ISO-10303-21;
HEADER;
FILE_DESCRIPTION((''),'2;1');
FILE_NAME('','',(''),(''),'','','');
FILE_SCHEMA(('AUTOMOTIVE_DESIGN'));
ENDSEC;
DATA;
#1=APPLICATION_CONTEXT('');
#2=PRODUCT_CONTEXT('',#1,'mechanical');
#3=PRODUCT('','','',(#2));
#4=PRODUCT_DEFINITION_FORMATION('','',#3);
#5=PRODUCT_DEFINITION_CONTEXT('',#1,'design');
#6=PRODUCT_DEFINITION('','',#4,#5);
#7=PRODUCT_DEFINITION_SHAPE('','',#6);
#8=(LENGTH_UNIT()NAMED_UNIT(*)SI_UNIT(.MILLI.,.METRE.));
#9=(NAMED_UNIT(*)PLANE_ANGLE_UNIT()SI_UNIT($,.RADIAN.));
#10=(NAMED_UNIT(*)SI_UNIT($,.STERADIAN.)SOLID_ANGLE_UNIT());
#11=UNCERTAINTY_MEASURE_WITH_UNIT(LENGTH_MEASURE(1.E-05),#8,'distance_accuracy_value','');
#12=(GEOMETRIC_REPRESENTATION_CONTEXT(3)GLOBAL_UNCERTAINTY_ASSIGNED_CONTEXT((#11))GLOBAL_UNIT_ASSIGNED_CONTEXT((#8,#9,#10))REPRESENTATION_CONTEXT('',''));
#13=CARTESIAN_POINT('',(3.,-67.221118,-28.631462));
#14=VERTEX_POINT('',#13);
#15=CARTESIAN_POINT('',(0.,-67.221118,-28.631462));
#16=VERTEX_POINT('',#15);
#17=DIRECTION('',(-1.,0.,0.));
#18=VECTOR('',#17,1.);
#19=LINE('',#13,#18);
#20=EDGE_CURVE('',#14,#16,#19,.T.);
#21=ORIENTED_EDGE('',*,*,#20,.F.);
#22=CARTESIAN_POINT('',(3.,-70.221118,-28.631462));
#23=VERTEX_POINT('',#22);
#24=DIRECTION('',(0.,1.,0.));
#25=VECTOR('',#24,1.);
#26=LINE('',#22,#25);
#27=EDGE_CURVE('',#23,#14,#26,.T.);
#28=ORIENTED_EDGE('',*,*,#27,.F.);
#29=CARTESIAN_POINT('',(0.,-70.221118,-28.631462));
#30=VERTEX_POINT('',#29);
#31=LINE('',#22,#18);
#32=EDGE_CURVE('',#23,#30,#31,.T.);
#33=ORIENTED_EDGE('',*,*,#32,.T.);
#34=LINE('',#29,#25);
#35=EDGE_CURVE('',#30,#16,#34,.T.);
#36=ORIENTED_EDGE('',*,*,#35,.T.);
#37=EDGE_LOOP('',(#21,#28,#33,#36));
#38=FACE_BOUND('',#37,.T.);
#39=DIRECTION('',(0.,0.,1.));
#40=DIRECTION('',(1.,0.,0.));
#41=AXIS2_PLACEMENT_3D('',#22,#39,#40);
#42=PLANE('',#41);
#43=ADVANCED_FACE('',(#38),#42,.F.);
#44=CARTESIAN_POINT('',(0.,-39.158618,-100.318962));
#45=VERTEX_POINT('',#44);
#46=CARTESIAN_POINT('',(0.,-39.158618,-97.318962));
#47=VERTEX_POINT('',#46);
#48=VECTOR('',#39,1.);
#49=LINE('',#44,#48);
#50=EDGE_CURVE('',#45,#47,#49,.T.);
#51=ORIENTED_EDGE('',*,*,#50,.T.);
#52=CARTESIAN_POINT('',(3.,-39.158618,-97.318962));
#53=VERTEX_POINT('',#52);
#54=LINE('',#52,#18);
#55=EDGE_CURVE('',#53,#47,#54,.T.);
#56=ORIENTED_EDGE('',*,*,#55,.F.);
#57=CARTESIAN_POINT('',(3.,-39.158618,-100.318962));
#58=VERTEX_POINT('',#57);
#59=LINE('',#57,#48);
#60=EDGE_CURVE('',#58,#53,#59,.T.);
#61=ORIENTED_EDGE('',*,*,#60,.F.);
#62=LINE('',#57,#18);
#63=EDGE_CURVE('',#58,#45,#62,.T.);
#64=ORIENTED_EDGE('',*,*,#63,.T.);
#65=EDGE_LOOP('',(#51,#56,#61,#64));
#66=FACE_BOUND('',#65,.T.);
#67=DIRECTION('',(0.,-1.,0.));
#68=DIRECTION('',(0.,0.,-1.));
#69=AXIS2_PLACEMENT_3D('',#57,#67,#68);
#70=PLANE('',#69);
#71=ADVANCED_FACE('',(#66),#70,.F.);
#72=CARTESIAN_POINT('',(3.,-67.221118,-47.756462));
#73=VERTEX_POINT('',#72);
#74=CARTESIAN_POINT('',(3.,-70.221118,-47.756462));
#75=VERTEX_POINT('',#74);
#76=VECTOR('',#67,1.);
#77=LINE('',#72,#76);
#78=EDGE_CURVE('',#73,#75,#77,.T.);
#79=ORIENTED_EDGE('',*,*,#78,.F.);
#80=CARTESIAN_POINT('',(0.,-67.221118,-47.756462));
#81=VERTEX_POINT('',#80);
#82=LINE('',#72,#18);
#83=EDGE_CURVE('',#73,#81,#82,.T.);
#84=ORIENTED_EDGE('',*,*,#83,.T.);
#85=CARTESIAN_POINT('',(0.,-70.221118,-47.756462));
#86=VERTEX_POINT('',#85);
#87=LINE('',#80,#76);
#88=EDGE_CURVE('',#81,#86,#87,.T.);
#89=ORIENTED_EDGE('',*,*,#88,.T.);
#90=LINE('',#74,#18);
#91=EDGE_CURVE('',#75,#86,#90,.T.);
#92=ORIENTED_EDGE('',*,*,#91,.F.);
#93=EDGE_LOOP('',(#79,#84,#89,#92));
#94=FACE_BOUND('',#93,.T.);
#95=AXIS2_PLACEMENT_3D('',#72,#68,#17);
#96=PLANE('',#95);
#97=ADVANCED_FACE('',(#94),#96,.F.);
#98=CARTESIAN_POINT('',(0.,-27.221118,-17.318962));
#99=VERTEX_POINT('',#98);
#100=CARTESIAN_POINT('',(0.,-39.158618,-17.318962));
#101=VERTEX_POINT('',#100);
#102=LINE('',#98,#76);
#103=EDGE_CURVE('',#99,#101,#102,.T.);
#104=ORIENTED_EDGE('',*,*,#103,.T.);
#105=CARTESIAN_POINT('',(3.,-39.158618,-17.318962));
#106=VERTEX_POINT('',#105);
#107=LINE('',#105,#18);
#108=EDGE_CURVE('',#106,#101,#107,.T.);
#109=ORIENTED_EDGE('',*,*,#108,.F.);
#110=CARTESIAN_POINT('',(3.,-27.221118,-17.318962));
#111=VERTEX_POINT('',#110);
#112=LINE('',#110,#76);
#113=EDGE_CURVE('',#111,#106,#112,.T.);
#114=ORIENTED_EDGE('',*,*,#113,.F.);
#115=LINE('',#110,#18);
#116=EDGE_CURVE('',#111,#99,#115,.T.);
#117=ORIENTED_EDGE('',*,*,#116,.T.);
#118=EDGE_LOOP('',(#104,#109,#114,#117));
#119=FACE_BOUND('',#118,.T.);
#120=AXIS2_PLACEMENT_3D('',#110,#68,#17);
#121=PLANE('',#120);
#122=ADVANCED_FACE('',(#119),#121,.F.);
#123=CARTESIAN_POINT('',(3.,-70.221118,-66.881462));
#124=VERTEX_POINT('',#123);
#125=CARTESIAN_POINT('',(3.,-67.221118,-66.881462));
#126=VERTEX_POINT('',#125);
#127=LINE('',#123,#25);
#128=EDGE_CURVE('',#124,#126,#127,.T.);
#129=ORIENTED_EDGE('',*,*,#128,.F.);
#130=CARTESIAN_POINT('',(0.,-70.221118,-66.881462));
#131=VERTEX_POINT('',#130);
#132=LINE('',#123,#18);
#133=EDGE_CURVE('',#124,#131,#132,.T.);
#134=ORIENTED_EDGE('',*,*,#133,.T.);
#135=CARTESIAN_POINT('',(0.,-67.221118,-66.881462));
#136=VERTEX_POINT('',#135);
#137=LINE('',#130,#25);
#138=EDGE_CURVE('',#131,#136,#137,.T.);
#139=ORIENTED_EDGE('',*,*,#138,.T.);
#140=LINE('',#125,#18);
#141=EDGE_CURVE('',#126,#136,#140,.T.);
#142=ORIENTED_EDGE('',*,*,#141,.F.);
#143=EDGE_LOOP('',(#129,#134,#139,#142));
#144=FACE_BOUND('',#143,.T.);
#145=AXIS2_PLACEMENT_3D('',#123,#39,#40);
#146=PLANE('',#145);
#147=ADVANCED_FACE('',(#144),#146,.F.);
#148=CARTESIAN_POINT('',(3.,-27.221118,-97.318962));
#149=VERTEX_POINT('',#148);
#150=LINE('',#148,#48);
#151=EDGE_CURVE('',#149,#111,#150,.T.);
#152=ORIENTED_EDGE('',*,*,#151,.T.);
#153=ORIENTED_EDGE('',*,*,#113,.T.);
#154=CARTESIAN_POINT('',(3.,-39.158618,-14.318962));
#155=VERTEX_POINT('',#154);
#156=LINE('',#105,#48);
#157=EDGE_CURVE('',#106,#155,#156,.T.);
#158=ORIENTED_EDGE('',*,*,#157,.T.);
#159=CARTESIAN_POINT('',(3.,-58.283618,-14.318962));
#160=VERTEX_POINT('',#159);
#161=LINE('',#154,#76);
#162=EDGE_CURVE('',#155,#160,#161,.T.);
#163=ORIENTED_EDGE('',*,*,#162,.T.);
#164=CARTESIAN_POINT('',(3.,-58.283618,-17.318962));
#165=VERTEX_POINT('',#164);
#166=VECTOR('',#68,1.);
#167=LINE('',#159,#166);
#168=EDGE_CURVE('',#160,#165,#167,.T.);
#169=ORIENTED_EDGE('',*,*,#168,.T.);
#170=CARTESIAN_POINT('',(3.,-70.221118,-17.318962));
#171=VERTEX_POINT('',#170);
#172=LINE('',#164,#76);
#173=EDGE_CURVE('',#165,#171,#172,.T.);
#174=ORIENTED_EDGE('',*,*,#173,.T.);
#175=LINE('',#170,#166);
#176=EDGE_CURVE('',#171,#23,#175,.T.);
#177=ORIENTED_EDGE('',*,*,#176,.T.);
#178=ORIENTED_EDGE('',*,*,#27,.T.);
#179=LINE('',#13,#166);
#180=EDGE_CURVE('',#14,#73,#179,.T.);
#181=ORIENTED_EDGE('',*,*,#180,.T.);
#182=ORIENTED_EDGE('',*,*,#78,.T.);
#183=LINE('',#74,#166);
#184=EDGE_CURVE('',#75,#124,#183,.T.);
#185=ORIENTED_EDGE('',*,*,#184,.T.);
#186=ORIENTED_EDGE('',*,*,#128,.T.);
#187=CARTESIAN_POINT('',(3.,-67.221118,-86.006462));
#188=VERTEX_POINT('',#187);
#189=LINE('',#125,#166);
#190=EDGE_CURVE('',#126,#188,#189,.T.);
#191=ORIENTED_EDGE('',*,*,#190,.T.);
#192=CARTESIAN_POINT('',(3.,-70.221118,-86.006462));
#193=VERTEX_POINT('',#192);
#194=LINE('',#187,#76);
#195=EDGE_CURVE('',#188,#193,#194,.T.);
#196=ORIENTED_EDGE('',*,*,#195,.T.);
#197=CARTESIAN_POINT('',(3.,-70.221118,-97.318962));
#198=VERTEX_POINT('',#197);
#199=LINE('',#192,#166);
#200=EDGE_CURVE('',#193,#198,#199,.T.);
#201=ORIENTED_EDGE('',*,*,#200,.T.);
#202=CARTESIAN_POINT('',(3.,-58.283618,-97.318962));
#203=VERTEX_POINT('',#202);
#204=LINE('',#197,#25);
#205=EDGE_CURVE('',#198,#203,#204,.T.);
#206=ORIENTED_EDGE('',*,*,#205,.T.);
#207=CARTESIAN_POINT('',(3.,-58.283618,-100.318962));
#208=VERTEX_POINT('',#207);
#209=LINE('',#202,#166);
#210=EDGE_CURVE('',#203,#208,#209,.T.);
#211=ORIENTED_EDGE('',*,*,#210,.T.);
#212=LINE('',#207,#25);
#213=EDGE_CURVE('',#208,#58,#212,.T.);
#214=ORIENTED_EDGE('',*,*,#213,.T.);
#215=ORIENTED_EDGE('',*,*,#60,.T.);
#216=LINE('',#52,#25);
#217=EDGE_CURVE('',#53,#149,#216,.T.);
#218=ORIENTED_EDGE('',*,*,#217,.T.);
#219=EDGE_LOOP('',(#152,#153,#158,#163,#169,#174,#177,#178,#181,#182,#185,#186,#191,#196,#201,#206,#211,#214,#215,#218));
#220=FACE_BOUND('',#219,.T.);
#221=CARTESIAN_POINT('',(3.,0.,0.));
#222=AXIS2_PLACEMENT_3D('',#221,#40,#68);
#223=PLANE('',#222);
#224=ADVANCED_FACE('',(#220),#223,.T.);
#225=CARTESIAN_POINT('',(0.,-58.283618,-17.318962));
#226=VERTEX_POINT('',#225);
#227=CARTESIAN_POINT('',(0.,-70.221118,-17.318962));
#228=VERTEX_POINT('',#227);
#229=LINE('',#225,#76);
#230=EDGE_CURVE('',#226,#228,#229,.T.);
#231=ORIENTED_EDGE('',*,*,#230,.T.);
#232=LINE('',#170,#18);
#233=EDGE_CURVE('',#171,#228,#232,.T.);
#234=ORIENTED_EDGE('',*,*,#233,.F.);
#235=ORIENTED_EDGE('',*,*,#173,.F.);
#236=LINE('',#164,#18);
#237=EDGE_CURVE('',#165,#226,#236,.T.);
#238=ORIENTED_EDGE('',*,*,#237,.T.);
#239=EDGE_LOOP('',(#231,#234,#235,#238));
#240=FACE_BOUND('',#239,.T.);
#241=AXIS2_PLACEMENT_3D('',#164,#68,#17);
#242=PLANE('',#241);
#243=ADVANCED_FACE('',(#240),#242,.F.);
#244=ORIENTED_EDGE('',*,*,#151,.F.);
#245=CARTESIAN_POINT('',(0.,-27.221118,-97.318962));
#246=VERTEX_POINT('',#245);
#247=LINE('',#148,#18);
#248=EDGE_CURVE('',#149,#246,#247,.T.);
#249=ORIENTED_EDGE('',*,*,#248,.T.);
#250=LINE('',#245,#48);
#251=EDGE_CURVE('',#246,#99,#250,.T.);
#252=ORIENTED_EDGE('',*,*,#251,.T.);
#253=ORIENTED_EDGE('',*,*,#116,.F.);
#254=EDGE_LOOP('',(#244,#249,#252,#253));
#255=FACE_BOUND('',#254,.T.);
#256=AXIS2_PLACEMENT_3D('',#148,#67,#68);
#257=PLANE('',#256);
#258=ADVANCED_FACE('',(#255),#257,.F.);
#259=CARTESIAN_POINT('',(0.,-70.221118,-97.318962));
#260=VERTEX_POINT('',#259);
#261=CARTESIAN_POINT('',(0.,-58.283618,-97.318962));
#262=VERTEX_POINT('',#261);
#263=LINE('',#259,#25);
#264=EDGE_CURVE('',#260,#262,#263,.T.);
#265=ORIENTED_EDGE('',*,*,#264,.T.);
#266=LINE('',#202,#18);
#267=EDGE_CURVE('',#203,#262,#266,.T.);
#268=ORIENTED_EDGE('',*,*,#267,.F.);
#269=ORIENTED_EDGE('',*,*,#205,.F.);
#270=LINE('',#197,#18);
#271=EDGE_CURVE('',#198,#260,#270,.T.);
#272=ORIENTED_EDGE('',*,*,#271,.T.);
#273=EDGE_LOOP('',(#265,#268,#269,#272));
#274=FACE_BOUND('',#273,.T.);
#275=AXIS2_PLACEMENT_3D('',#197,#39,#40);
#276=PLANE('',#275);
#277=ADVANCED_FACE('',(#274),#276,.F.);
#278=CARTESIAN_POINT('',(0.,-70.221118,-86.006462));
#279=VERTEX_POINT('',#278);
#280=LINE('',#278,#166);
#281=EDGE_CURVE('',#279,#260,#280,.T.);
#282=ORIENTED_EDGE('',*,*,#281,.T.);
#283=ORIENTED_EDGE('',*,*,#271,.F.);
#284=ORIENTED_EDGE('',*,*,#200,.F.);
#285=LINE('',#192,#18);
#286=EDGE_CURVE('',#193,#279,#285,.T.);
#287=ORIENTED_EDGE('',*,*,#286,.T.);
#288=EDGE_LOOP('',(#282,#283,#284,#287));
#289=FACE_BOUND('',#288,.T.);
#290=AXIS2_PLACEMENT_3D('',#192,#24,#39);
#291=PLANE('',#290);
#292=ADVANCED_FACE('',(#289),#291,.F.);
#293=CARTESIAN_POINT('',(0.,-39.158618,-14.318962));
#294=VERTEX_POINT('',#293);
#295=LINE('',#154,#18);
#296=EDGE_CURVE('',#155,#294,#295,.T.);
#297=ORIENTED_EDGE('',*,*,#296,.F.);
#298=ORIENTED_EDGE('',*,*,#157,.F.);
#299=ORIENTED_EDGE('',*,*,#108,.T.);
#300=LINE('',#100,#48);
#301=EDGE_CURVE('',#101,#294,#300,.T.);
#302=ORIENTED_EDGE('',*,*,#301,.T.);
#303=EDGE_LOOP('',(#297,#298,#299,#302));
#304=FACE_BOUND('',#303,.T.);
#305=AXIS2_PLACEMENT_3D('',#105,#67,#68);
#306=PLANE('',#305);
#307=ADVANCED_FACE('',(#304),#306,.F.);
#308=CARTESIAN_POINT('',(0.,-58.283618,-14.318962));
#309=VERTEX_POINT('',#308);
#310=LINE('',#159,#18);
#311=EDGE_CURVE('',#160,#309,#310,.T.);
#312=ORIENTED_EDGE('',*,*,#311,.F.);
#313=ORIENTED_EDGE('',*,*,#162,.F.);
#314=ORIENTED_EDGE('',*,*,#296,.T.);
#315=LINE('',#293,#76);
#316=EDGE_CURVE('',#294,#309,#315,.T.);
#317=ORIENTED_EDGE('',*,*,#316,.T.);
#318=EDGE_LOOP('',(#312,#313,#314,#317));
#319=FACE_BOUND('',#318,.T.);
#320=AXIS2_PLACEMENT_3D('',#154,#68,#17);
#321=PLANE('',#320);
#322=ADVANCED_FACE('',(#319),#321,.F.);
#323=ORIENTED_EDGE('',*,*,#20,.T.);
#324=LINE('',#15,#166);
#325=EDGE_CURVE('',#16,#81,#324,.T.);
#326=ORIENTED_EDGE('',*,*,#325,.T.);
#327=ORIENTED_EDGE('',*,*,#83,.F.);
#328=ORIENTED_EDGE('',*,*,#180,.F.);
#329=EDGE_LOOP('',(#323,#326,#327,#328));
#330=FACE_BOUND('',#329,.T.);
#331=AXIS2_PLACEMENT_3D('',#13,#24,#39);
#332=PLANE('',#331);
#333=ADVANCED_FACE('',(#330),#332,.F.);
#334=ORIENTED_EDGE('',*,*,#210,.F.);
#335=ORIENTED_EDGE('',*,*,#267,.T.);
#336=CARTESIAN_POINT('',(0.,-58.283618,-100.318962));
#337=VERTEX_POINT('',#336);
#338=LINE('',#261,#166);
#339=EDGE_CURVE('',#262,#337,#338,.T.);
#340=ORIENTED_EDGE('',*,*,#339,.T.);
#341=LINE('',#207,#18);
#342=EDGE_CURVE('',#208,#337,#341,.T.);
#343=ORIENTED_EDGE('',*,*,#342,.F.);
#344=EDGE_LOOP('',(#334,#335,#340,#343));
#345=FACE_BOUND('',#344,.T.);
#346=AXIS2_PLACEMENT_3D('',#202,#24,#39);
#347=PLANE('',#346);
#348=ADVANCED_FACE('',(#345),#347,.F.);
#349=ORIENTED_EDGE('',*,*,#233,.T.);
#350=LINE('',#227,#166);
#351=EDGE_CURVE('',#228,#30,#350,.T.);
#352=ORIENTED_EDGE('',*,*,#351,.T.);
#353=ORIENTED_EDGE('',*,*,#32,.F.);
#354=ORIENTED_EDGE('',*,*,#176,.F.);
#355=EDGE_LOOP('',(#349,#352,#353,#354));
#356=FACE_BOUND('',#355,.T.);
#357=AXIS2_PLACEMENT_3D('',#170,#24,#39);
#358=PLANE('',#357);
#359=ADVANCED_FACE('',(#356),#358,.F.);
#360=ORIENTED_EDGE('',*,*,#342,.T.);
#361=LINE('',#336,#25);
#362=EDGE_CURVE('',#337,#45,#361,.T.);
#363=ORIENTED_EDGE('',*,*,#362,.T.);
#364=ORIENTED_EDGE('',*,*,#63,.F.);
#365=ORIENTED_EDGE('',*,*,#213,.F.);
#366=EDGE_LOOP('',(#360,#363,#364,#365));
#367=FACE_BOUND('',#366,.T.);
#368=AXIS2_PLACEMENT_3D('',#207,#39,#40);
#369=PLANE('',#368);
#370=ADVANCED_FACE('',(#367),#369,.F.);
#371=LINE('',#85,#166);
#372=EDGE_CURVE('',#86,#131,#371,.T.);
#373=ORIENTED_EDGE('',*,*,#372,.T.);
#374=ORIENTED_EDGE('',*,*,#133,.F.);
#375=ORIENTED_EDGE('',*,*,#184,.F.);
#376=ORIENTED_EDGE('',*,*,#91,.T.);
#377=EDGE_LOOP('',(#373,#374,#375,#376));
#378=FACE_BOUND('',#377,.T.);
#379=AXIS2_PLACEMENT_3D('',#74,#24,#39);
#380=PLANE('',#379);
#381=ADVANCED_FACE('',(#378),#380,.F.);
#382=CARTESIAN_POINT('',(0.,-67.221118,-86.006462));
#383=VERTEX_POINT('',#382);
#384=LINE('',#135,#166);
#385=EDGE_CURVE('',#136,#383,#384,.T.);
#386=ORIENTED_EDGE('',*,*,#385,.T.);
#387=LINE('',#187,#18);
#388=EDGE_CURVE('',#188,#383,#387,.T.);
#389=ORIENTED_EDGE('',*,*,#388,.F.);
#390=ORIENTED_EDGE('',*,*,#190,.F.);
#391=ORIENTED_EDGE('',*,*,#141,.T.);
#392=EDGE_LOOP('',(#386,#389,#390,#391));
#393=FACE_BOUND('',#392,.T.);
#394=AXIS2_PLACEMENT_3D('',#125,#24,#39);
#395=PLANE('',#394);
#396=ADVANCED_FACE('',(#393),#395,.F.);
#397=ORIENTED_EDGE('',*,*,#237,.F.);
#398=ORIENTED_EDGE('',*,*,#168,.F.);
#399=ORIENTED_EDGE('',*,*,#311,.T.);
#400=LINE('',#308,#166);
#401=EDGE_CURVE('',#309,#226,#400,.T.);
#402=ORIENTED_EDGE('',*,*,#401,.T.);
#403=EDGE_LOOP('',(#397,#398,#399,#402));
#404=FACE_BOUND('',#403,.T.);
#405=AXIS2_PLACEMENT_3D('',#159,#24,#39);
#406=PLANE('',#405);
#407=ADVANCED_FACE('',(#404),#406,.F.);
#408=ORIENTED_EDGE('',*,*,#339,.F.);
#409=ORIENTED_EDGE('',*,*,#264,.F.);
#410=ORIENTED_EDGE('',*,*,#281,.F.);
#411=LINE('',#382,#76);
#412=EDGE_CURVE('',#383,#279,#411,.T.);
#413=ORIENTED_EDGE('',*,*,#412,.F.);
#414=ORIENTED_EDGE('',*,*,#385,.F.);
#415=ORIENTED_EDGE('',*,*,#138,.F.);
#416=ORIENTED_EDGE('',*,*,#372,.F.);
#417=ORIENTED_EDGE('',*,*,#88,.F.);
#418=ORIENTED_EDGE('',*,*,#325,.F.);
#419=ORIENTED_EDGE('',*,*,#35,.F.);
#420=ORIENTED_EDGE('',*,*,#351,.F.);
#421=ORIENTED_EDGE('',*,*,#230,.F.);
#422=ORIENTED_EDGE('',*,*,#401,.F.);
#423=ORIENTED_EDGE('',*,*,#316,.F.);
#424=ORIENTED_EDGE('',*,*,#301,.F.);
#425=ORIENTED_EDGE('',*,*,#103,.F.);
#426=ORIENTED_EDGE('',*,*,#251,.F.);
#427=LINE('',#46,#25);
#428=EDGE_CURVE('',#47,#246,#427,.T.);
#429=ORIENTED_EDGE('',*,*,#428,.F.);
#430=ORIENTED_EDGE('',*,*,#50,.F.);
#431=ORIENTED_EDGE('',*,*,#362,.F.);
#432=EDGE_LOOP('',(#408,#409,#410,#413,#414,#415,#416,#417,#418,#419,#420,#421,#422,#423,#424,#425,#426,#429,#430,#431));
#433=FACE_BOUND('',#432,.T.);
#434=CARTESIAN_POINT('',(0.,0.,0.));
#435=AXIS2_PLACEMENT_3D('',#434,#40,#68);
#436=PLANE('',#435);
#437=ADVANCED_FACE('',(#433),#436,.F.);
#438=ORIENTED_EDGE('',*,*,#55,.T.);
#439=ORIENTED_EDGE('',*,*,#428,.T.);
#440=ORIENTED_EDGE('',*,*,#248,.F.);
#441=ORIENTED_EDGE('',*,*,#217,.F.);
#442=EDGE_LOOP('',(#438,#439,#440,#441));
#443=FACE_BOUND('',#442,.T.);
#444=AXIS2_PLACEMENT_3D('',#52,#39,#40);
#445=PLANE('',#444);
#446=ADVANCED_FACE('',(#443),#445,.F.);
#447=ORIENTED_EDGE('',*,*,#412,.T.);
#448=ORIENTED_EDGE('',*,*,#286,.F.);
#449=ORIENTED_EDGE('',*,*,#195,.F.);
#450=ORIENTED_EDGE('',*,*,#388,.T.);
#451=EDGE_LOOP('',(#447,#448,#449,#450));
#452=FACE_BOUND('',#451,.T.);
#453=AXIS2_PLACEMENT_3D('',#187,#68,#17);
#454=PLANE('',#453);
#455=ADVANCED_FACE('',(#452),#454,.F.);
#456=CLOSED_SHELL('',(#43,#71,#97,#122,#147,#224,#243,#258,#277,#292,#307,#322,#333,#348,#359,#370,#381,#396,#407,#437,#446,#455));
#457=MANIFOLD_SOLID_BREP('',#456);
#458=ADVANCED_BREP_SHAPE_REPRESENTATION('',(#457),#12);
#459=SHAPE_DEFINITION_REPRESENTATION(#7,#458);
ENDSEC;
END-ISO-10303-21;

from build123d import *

# Parameters (mm, degrees)
BOSS_EXTRUDE1_DEPTH = 3


with BuildPart() as part:
    # Sketch1 → Boss-Extrude1 (new body)
    with BuildSketch(Plane(origin=(0, 0, 0), x_dir=(0, 0, -1), z_dir=(1, 0, 0))):
        Polygon((17.318961808, -27.221117537), (17.318961808, -39.158617537), (14.318961808, -39.158617537), (14.318961808, -58.283617537), (17.318961808, -58.283617537), (17.318961808, -70.221117537), (28.631461808, -70.221117537), (28.631461808, -67.221117537), (47.756461808, -67.221117537), (47.756461808, -70.221117537), (66.881461808, -70.221117537), (66.881461808, -67.221117537), (86.006461808, -67.221117537), (86.006461808, -70.221117537), (97.318961808, -70.221117537), (97.318961808, -58.283617537), (100.318961808, -58.283617537), (100.318961808, -39.158617537), (97.318961808, -39.158617537), (97.318961808, -27.221117537), align=None)
    extrude(amount=BOSS_EXTRUDE1_DEPTH)


solid = part.part
